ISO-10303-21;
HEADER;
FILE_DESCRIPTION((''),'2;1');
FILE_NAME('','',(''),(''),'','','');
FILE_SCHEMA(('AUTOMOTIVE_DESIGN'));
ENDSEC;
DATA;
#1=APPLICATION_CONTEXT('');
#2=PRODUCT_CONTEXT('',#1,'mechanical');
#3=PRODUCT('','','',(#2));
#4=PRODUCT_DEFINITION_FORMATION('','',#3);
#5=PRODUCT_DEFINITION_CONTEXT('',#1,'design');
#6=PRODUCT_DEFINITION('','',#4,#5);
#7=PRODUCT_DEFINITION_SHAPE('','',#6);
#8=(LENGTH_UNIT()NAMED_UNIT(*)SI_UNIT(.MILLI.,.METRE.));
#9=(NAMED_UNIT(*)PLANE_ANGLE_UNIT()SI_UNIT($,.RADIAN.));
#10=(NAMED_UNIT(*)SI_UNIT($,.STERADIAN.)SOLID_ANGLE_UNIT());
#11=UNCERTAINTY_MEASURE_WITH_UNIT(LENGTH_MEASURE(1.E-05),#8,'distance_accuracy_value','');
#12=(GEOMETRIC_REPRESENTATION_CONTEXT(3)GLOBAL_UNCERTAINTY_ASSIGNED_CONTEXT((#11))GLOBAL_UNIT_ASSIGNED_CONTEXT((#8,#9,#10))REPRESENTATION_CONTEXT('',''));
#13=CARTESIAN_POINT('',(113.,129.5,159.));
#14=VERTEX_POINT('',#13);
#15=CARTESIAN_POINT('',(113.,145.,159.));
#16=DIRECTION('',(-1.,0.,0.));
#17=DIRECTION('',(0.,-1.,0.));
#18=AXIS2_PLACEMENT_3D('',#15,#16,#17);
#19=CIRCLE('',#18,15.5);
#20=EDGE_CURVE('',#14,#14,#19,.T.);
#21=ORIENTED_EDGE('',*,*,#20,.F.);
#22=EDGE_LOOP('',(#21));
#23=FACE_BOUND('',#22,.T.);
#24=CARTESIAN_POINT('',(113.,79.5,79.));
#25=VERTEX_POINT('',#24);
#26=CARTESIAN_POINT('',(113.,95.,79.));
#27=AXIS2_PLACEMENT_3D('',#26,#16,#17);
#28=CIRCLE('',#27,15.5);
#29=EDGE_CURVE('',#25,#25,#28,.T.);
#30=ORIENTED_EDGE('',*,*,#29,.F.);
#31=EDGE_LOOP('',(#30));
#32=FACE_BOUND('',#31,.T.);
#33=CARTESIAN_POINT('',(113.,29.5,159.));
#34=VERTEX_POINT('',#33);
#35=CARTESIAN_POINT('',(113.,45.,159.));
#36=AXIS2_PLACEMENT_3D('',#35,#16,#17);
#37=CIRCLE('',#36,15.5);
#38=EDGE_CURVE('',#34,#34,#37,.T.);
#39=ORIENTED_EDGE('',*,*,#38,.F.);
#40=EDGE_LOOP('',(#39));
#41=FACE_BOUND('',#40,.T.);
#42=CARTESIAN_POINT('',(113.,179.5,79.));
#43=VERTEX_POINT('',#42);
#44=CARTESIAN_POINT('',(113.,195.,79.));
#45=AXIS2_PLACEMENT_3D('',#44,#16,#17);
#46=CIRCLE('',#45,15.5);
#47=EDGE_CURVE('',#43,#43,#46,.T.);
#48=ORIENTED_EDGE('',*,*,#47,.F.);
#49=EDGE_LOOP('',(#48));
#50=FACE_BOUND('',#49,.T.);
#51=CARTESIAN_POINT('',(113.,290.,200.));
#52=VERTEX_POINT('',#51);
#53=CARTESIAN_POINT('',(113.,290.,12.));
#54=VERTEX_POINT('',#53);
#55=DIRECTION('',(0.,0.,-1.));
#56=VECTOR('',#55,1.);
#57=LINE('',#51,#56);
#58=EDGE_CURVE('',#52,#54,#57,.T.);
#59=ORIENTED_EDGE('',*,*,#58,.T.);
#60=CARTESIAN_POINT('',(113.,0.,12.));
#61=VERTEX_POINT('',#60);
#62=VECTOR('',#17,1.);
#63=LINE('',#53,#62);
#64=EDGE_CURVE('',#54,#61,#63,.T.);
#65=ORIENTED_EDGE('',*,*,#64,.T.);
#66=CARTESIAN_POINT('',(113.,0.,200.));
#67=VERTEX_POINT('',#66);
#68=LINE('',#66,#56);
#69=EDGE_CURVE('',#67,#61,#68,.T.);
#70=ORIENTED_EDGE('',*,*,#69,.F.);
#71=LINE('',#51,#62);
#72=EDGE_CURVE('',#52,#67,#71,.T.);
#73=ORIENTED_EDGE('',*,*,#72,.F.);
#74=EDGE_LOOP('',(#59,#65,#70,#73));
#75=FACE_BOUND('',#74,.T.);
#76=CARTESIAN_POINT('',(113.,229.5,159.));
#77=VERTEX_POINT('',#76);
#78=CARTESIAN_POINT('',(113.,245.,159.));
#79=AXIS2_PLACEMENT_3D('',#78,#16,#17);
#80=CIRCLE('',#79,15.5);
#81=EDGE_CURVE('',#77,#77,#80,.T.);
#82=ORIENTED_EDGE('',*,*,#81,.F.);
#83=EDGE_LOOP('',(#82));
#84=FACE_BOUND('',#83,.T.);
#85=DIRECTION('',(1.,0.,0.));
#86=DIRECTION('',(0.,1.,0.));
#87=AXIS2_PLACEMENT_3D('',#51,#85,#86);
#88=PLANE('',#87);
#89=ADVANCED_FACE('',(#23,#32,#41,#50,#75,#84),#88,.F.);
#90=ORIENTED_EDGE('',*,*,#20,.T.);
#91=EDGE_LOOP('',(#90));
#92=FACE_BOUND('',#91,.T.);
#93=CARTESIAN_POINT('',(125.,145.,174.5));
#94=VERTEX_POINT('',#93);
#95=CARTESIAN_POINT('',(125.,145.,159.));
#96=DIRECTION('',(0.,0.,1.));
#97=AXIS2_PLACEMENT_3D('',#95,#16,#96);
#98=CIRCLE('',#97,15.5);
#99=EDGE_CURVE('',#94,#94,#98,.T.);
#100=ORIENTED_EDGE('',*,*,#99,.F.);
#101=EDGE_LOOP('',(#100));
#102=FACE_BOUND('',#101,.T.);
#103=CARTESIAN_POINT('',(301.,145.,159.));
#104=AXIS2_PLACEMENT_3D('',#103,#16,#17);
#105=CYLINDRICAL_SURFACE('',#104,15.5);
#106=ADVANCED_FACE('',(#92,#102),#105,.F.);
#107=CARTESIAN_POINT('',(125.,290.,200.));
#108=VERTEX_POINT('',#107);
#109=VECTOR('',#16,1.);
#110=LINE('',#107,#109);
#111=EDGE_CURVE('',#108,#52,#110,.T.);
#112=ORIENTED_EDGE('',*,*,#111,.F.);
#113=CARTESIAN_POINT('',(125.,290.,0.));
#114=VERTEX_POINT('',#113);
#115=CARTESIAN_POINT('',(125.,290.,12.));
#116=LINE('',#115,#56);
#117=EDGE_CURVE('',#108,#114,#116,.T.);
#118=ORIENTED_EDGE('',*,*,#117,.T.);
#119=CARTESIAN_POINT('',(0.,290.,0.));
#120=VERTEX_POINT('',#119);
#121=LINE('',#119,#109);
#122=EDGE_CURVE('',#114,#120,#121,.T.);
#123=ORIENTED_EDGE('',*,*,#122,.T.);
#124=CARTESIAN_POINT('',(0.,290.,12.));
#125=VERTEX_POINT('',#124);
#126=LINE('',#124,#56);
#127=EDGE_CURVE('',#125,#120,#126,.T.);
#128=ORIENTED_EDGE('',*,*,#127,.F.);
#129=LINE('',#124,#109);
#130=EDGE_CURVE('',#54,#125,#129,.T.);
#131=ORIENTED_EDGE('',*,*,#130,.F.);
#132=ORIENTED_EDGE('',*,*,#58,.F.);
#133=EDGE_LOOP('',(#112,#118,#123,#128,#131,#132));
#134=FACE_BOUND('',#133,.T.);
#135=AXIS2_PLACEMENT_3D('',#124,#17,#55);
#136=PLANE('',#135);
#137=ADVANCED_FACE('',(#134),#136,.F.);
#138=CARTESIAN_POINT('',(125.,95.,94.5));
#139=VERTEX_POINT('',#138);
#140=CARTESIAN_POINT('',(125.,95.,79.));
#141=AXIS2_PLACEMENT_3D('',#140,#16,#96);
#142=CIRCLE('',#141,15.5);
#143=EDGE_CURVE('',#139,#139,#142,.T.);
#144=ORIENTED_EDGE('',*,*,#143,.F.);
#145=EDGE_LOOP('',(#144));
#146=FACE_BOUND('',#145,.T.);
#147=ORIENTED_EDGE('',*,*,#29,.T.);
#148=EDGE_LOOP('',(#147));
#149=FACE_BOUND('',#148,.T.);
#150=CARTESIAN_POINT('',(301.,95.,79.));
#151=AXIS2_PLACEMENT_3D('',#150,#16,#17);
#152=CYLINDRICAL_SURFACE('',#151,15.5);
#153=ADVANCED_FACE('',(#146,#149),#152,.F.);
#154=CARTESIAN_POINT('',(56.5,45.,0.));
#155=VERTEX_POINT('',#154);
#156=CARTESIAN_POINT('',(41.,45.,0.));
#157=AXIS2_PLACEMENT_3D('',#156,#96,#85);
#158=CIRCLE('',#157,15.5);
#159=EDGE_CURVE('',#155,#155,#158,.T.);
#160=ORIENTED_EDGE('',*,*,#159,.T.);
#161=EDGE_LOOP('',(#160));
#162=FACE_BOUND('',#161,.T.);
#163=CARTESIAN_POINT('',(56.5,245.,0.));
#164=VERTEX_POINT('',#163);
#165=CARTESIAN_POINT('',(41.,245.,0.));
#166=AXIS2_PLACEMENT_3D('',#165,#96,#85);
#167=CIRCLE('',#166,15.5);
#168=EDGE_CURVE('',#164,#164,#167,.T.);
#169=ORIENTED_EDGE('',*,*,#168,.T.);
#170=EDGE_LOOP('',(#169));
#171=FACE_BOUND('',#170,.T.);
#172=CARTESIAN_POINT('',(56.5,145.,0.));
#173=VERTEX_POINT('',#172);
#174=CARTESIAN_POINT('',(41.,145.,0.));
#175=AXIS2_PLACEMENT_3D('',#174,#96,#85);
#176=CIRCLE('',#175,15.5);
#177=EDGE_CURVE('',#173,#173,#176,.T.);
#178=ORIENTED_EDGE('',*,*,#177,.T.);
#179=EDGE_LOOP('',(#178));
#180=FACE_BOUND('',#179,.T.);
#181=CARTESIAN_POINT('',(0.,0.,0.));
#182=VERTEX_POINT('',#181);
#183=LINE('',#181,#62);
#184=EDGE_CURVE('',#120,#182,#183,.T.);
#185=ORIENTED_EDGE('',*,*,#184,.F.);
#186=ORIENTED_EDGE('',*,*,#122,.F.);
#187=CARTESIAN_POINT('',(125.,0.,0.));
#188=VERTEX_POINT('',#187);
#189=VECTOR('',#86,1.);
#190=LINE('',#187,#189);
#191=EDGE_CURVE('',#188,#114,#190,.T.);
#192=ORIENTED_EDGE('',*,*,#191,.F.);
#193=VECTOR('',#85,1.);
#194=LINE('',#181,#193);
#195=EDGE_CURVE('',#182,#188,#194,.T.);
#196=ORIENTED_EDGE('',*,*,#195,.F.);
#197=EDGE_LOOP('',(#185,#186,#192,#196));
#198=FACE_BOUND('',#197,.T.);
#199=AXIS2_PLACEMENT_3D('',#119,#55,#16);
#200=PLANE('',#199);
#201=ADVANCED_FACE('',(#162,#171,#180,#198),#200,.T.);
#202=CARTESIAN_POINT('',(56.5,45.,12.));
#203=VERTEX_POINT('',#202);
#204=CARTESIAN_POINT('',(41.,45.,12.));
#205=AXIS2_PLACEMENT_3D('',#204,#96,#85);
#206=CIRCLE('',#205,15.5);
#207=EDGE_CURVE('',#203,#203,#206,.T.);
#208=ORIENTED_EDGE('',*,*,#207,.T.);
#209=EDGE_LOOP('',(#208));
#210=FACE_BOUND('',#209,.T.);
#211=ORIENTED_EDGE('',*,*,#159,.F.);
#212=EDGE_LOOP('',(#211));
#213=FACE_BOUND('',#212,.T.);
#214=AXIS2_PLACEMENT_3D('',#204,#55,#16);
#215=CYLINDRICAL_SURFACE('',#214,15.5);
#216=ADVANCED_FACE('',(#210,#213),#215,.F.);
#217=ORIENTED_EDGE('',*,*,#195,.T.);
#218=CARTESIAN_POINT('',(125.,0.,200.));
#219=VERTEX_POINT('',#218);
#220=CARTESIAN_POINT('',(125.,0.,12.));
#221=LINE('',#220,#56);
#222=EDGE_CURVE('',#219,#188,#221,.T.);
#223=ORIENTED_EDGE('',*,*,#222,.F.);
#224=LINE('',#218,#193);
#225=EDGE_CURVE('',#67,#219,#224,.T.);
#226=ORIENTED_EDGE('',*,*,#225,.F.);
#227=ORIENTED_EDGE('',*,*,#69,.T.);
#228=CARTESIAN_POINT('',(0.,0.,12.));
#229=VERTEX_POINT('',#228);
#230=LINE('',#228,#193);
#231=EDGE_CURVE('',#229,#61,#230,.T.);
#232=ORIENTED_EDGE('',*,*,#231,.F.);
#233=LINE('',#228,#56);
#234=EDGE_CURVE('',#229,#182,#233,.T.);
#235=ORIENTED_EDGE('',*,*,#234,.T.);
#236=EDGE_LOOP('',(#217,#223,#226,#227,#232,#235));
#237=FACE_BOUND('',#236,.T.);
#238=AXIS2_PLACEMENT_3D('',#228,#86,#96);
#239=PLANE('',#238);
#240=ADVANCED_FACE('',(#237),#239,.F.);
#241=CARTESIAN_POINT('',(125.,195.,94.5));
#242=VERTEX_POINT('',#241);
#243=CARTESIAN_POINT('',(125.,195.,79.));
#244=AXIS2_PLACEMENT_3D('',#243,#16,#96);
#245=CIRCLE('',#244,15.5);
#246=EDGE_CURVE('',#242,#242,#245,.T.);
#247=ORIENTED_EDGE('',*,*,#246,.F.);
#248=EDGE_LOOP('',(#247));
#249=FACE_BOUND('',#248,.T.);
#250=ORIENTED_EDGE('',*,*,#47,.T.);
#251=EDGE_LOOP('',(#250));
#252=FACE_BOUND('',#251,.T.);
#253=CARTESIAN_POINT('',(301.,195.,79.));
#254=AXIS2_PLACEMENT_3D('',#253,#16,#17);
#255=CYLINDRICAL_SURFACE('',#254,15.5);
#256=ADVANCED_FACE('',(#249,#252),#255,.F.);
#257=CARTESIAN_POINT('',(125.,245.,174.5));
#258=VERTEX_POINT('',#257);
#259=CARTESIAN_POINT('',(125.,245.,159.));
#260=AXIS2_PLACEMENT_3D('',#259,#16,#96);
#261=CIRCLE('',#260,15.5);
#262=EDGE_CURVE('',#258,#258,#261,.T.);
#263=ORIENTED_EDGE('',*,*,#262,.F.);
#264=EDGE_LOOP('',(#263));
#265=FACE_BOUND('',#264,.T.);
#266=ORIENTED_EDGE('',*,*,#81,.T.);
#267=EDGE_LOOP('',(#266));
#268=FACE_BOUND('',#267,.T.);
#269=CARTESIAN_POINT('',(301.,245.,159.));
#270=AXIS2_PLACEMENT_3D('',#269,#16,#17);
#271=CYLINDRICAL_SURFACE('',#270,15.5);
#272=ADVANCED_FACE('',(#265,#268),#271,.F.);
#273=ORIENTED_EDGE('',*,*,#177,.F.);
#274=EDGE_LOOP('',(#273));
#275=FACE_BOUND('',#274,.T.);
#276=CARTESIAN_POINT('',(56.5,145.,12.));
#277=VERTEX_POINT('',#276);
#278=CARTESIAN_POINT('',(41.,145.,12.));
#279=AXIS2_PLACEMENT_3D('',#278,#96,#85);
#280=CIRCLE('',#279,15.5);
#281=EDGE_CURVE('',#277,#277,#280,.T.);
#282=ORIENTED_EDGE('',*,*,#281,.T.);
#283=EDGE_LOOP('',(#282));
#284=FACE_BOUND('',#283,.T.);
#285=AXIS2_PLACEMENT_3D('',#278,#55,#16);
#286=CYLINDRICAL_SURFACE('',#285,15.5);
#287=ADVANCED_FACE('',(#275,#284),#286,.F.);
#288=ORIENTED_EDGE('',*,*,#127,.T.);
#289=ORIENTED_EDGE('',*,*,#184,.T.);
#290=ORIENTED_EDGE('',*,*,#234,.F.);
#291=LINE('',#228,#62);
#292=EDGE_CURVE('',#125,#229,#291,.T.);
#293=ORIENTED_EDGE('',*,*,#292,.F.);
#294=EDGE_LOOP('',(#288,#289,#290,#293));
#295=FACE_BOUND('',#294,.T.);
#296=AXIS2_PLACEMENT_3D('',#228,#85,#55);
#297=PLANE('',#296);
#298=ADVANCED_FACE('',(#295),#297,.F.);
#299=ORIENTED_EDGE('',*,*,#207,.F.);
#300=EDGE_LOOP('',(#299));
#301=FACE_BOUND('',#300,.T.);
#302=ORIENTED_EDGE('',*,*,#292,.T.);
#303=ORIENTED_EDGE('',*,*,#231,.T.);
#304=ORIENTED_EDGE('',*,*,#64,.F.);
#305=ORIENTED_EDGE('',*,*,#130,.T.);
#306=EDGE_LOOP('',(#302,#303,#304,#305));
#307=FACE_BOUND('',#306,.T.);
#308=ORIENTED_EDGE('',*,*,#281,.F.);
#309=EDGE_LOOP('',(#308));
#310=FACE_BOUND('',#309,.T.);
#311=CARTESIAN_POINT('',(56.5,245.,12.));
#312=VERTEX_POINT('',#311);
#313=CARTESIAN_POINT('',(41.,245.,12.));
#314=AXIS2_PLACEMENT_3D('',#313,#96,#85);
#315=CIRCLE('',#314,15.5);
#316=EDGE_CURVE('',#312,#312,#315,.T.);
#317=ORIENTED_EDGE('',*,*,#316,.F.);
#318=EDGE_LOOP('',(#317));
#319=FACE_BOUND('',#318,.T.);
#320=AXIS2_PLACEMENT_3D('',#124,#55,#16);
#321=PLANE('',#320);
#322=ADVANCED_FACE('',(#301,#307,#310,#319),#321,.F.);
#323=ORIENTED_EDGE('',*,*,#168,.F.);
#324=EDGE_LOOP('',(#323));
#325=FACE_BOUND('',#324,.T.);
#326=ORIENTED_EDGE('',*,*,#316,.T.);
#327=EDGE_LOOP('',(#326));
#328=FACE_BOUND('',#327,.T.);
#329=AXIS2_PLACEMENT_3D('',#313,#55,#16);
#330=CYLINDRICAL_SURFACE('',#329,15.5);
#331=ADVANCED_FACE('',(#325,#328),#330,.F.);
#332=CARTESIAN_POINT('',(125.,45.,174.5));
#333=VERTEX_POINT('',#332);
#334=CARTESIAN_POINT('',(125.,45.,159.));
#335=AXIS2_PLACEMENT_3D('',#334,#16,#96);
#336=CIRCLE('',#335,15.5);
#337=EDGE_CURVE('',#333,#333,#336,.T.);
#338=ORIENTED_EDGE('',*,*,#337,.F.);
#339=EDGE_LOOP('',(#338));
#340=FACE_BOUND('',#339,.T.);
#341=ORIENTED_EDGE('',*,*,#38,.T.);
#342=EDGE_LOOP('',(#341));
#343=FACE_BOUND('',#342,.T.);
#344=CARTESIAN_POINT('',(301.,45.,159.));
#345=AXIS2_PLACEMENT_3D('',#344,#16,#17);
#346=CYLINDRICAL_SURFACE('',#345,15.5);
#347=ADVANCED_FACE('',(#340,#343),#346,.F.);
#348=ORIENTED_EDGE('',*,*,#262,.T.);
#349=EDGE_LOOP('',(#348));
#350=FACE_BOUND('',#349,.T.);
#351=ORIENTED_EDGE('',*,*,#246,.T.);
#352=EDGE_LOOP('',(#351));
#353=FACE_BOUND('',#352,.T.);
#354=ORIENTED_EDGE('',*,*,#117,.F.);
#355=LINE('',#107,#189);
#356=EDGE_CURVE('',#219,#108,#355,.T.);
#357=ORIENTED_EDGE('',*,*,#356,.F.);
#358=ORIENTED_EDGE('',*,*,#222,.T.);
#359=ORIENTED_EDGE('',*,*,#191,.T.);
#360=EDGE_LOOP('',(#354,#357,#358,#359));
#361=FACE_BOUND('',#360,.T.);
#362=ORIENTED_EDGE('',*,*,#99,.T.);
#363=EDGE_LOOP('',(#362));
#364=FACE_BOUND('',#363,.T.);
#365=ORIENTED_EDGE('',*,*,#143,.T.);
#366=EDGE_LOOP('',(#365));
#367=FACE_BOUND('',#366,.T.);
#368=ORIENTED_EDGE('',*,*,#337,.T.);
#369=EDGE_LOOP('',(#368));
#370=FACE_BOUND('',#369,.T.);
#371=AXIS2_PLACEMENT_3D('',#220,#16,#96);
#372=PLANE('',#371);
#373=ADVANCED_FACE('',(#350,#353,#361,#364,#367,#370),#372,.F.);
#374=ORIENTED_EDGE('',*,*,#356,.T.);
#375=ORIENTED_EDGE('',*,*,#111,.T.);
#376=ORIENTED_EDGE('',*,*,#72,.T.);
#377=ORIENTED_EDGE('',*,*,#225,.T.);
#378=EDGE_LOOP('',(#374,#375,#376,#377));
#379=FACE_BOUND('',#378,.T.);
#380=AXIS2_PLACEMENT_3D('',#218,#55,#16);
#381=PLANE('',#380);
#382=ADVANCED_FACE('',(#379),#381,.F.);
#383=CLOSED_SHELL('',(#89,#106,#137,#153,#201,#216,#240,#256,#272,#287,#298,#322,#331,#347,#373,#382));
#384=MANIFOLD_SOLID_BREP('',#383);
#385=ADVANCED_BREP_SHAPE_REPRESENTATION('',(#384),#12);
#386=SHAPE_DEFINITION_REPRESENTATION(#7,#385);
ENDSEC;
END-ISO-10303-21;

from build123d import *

# Parameters (mm, degrees)
SKETCH1_W      = 125
SKETCH1_H      = 290
SKETCH1_R      = 15.5
EXTRUDE1_DEPTH = 12
SKETCH2_W      = 12
SKETCH2_H      = 290
EXTRUDE2_DEPTH = 188
SKETCH3_R      = 15.5
EXTRUDE3_DEPTH = 188


with BuildPart() as part:
    # Sketch1 → Extrude1 (new body)
    with BuildSketch(Plane.XY):
        with Locations((62.5, 145)):
            Rectangle(SKETCH1_W, SKETCH1_H)
        with Locations((41, 45)):
            Circle(SKETCH1_R, mode=Mode.SUBTRACT)
        with Locations((41, 145)):
            Circle(SKETCH1_R, mode=Mode.SUBTRACT)
        with Locations((41, 245)):
            Circle(SKETCH1_R, mode=Mode.SUBTRACT)
    extrude(amount=EXTRUDE1_DEPTH)

    # Sketch2 → Extrude2 (add)
    with BuildSketch(Plane.XY.offset(12)):
        with Locations((119, 145)):
            Rectangle(SKETCH2_W, SKETCH2_H)
    extrude(amount=EXTRUDE2_DEPTH)

    # Sketch3 → Extrude3 (cut)
    with BuildSketch(Plane.ZY.offset(-113)):
        with Locations(Location((159, 45, 0), (0, 0, 270))):
            Circle(SKETCH3_R)
        with Locations(Location((159, 145, 0), (0, 0, 270))):
            Circle(SKETCH3_R)
        with Locations(Location((159, 245, 0), (0, 0, 270))):
            Circle(SKETCH3_R)
        with Locations(Location((79, 95, 0), (0, 0, 270))):
            Circle(SKETCH3_R)
        with Locations(Location((79, 195, 0), (0, 0, 270))):
            Circle(SKETCH3_R)
    extrude(amount=-EXTRUDE3_DEPTH, mode=Mode.SUBTRACT)


solid = part.part
